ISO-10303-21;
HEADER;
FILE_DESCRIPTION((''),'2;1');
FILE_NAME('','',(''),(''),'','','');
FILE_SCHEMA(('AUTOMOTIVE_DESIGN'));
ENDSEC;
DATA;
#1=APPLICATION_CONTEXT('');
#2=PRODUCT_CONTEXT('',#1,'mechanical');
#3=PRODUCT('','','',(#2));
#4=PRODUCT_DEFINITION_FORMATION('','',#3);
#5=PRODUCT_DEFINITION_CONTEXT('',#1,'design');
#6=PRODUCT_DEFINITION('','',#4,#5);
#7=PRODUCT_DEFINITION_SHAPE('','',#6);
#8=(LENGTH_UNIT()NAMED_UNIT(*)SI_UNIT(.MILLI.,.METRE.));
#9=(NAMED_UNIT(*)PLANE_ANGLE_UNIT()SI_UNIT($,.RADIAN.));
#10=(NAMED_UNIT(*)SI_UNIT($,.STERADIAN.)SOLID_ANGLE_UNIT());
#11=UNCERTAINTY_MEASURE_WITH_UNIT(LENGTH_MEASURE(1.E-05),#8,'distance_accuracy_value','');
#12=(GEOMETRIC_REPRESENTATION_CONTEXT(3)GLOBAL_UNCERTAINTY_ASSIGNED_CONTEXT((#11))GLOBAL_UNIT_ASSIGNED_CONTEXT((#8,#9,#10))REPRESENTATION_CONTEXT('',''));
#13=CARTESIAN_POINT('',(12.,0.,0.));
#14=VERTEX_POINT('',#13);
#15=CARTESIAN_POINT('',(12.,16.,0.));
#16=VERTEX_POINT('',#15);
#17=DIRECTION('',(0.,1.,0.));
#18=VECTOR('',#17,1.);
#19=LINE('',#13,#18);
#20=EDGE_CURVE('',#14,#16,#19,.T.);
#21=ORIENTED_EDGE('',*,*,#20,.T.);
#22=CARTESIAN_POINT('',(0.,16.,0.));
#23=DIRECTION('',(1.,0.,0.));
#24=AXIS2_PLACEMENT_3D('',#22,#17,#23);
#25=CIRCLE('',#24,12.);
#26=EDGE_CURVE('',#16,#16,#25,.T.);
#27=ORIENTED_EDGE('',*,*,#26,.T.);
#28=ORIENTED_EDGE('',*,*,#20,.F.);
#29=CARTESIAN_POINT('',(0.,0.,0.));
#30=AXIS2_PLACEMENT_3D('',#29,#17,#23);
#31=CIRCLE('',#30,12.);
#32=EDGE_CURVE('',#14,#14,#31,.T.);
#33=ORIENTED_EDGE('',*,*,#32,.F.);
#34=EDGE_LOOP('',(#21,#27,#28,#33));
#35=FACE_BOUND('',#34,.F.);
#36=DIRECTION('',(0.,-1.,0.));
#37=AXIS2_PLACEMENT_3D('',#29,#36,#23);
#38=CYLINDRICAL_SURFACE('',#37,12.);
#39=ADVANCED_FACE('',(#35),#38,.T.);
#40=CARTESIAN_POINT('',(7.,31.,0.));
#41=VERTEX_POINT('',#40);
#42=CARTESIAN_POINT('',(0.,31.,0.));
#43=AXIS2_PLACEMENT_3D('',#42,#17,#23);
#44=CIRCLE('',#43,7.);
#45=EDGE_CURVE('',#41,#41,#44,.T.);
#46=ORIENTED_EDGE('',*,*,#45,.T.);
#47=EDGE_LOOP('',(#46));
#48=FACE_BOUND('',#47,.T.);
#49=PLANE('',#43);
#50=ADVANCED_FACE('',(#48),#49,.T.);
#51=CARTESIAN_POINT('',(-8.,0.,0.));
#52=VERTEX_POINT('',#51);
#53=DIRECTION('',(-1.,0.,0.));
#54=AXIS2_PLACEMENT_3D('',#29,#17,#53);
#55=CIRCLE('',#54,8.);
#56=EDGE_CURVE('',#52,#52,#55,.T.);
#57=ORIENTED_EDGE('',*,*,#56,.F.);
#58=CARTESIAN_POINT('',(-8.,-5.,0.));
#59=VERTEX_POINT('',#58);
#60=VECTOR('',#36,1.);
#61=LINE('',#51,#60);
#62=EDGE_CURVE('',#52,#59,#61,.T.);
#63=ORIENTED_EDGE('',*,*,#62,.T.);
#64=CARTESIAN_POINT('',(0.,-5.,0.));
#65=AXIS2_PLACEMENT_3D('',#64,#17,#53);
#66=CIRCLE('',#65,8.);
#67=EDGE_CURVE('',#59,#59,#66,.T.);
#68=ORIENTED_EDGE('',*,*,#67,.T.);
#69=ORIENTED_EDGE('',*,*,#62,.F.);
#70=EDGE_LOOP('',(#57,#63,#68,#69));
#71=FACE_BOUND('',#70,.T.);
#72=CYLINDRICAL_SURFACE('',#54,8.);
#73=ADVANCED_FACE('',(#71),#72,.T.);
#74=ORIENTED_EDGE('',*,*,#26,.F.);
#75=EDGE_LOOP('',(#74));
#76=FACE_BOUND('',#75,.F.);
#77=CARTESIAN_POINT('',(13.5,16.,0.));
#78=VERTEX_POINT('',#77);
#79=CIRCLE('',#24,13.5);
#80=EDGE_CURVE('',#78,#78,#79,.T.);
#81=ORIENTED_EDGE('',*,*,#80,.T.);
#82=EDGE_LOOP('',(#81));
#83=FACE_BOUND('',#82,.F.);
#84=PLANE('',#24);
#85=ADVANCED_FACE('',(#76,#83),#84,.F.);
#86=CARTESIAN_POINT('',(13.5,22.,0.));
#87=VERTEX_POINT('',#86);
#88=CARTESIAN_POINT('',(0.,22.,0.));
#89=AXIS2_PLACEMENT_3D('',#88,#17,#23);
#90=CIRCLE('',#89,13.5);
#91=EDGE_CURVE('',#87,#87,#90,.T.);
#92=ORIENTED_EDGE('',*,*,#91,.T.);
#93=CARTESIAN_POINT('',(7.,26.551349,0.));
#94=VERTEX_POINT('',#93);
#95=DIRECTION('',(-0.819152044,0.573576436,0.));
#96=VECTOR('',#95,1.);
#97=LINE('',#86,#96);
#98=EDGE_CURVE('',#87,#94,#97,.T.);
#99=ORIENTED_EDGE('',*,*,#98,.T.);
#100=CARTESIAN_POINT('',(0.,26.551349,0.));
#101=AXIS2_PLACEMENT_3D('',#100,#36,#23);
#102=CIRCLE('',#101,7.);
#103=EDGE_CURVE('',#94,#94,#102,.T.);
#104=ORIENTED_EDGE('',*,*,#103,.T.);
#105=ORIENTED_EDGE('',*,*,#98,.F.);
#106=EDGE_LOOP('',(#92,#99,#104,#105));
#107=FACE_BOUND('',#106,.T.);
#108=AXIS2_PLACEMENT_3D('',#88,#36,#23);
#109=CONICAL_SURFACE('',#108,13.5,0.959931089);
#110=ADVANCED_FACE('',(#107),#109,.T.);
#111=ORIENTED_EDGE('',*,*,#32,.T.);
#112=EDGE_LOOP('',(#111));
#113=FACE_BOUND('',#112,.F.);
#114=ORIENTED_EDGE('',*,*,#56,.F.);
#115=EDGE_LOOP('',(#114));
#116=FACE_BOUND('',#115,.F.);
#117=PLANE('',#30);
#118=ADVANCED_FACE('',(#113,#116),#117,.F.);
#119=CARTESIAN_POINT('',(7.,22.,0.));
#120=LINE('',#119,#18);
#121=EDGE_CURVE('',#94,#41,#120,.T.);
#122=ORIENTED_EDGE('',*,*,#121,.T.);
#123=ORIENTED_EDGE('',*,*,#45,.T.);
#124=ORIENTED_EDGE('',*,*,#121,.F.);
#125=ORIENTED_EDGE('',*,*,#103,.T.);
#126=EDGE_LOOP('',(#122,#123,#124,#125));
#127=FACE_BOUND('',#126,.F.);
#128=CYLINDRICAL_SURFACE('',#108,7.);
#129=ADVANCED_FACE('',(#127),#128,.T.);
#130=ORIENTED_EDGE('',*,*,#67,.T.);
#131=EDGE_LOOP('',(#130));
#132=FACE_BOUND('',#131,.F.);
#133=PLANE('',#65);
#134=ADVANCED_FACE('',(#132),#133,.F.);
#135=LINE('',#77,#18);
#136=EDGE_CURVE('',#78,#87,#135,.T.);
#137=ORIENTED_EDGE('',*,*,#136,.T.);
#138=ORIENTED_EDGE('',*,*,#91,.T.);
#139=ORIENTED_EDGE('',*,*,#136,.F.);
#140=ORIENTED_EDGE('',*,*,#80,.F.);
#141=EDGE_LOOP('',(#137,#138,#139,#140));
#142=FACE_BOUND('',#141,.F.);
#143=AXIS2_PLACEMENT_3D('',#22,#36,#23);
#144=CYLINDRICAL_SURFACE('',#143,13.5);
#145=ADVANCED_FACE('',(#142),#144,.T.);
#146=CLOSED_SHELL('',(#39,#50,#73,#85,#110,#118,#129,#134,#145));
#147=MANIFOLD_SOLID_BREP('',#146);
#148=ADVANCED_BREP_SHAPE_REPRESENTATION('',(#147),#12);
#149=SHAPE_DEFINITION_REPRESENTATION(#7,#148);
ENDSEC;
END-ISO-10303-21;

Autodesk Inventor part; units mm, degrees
ref_plane "YZ Plane" through (0, 0, 0) normal (1, 0, 0) x (0, 1, 0)
ref_plane "XZ Plane" through (0, 0, 0) normal (0, 1, 0) x (-1, 0, 0)
ref_plane "XY Plane" through (0, 0, 0) normal (0, 0, 1) x (1, 0, 0)
sketch "Sketch1" plane through (0, 0, 0) normal (0, 1, 0) x (-1, 0, 0)
  circle A0 centre (0, 0) radius 8
  dimension "d0" = 16
extrude "Extrusion1" add sketch "Sketch1" against normal blind 5
sketch "Sketch2" plane through (0, 0, 0) normal (0, 1, 0) x (1, 0, 0)
  circle A0 centre (0, 0) radius 12
  dimension "d3" = 24
extrude "Extrusion2" add sketch "Sketch2" along normal blind 16
sketch "Sketch3" plane through (0, 16, 0) normal (0, 1, 0) x (1, 0, 0)
  circle A0 centre (0, 0) radius 12 projected
  circle A1 centre (0, 0) radius 13.5
  dimension "d6" = 1.5
extrude "Extrusion3" add sketch "Sketch3" along normal blind 6 contours A0 | A1
sketch "Sketch4" plane through (0, 22, 0) normal (0, 1, 0) x (1, 0, 0)
  circle A0 centre (0, 0) radius 7
  dimension "d9" = 14
extrude "Extrusion4" add sketch "Sketch4" along normal blind 9
sketch "Sketch5" plane through (0, 22, 0) normal (0, 1, 0) x (1, 0, 0)
  circle A0 centre (0, 0) radius 13.5 projected
extrude "Extrusion5" add sketch "Sketch5" along normal blind 6.75 draft -55
properties part number "OXYGEN SENSOR"
